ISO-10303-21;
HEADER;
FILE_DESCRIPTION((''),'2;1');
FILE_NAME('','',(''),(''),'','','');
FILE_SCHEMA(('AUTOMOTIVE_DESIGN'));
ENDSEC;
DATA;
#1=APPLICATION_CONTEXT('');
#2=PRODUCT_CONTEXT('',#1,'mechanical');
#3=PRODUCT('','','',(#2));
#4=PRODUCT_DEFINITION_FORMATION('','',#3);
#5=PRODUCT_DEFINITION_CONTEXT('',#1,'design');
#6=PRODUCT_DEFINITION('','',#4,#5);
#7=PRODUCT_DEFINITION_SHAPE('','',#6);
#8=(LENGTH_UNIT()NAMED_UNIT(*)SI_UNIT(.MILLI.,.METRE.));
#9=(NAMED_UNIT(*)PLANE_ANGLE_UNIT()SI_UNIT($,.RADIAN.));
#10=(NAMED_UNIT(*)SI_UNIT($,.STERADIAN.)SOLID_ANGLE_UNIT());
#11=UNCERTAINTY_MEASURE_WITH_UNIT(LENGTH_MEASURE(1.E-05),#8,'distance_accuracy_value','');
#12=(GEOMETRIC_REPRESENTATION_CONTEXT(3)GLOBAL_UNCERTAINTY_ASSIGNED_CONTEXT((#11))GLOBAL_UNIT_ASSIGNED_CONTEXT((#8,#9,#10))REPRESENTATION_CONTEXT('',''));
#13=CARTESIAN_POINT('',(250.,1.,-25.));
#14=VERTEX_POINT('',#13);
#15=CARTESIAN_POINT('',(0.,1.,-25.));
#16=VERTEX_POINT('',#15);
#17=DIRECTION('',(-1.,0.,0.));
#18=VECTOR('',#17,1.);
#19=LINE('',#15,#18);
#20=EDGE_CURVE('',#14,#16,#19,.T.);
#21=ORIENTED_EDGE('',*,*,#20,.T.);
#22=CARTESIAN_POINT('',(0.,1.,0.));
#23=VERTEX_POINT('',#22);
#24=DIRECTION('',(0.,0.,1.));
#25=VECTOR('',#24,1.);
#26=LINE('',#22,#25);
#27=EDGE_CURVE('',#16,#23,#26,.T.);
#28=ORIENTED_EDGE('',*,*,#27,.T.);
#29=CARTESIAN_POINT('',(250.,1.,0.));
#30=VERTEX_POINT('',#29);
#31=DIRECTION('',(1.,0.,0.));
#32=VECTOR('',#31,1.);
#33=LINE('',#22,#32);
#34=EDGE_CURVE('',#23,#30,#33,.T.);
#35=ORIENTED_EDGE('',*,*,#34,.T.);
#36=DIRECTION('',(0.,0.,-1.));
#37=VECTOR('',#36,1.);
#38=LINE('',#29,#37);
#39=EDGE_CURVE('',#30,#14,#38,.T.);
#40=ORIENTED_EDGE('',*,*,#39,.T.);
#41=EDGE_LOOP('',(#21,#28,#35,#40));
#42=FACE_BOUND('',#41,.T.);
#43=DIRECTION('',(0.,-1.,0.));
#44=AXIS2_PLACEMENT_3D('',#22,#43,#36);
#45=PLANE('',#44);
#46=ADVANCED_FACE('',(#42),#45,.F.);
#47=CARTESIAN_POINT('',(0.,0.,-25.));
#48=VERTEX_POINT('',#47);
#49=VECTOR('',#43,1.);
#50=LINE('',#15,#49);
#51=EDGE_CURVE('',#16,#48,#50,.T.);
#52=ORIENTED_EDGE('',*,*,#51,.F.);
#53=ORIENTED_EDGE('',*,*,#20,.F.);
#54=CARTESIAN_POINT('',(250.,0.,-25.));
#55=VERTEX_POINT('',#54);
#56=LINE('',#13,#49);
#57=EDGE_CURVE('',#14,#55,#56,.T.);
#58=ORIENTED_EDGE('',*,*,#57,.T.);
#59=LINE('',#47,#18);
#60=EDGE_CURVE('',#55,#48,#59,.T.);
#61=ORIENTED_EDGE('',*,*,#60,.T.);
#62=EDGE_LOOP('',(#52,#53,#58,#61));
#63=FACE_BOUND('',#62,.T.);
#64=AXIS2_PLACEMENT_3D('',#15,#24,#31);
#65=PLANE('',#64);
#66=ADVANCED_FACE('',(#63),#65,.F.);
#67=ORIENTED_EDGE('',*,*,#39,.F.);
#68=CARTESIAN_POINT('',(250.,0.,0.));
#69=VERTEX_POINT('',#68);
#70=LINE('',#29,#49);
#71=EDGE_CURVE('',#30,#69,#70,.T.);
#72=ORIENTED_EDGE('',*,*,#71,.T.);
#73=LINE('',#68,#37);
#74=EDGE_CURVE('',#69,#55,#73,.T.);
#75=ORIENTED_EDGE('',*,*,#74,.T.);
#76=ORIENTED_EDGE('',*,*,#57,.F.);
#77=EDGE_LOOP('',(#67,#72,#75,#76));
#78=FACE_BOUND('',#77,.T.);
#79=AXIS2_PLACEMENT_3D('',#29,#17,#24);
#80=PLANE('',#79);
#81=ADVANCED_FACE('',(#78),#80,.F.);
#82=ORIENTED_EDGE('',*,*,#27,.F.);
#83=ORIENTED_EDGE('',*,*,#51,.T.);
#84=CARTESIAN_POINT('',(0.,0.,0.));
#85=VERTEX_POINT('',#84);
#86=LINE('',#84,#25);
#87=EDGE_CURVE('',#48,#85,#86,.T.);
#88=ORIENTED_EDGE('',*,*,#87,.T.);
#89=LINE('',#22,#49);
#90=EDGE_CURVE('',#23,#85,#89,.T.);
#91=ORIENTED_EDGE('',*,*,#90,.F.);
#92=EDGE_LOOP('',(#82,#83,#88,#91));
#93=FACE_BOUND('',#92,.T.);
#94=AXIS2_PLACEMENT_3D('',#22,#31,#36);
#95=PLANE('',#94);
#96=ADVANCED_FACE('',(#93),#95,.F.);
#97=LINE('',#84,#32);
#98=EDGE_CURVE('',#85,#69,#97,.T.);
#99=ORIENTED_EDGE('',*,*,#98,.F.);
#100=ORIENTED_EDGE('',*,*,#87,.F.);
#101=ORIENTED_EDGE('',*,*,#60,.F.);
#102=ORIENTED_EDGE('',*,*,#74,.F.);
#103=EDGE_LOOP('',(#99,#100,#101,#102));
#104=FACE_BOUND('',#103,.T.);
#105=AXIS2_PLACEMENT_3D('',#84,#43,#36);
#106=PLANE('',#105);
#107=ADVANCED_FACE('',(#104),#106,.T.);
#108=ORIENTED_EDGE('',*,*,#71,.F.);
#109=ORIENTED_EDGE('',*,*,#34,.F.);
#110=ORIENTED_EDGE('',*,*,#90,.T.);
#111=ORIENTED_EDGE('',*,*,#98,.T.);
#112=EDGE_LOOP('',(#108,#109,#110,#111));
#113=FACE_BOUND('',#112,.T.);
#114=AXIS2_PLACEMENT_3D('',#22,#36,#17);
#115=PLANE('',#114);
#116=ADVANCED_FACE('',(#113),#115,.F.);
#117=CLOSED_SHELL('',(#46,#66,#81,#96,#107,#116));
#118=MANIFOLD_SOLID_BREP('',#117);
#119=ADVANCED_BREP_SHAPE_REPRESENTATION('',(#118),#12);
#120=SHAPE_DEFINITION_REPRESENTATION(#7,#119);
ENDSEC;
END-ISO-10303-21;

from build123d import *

# Parameters (mm, degrees)
SKETCH1_W           = 250
SKETCH1_H           = 25
BOSS_EXTRUDE1_DEPTH = 1


with BuildPart() as part:
    # Sketch1 → Boss-Extrude1 (new body)
    with BuildSketch(Plane(origin=(0, 0, 0), x_dir=(1, 0, 0), z_dir=(0, 1, 0))):
        with Locations((125, 12.5)):
            Rectangle(SKETCH1_W, SKETCH1_H)
    extrude(amount=BOSS_EXTRUDE1_DEPTH)


solid = part.part
